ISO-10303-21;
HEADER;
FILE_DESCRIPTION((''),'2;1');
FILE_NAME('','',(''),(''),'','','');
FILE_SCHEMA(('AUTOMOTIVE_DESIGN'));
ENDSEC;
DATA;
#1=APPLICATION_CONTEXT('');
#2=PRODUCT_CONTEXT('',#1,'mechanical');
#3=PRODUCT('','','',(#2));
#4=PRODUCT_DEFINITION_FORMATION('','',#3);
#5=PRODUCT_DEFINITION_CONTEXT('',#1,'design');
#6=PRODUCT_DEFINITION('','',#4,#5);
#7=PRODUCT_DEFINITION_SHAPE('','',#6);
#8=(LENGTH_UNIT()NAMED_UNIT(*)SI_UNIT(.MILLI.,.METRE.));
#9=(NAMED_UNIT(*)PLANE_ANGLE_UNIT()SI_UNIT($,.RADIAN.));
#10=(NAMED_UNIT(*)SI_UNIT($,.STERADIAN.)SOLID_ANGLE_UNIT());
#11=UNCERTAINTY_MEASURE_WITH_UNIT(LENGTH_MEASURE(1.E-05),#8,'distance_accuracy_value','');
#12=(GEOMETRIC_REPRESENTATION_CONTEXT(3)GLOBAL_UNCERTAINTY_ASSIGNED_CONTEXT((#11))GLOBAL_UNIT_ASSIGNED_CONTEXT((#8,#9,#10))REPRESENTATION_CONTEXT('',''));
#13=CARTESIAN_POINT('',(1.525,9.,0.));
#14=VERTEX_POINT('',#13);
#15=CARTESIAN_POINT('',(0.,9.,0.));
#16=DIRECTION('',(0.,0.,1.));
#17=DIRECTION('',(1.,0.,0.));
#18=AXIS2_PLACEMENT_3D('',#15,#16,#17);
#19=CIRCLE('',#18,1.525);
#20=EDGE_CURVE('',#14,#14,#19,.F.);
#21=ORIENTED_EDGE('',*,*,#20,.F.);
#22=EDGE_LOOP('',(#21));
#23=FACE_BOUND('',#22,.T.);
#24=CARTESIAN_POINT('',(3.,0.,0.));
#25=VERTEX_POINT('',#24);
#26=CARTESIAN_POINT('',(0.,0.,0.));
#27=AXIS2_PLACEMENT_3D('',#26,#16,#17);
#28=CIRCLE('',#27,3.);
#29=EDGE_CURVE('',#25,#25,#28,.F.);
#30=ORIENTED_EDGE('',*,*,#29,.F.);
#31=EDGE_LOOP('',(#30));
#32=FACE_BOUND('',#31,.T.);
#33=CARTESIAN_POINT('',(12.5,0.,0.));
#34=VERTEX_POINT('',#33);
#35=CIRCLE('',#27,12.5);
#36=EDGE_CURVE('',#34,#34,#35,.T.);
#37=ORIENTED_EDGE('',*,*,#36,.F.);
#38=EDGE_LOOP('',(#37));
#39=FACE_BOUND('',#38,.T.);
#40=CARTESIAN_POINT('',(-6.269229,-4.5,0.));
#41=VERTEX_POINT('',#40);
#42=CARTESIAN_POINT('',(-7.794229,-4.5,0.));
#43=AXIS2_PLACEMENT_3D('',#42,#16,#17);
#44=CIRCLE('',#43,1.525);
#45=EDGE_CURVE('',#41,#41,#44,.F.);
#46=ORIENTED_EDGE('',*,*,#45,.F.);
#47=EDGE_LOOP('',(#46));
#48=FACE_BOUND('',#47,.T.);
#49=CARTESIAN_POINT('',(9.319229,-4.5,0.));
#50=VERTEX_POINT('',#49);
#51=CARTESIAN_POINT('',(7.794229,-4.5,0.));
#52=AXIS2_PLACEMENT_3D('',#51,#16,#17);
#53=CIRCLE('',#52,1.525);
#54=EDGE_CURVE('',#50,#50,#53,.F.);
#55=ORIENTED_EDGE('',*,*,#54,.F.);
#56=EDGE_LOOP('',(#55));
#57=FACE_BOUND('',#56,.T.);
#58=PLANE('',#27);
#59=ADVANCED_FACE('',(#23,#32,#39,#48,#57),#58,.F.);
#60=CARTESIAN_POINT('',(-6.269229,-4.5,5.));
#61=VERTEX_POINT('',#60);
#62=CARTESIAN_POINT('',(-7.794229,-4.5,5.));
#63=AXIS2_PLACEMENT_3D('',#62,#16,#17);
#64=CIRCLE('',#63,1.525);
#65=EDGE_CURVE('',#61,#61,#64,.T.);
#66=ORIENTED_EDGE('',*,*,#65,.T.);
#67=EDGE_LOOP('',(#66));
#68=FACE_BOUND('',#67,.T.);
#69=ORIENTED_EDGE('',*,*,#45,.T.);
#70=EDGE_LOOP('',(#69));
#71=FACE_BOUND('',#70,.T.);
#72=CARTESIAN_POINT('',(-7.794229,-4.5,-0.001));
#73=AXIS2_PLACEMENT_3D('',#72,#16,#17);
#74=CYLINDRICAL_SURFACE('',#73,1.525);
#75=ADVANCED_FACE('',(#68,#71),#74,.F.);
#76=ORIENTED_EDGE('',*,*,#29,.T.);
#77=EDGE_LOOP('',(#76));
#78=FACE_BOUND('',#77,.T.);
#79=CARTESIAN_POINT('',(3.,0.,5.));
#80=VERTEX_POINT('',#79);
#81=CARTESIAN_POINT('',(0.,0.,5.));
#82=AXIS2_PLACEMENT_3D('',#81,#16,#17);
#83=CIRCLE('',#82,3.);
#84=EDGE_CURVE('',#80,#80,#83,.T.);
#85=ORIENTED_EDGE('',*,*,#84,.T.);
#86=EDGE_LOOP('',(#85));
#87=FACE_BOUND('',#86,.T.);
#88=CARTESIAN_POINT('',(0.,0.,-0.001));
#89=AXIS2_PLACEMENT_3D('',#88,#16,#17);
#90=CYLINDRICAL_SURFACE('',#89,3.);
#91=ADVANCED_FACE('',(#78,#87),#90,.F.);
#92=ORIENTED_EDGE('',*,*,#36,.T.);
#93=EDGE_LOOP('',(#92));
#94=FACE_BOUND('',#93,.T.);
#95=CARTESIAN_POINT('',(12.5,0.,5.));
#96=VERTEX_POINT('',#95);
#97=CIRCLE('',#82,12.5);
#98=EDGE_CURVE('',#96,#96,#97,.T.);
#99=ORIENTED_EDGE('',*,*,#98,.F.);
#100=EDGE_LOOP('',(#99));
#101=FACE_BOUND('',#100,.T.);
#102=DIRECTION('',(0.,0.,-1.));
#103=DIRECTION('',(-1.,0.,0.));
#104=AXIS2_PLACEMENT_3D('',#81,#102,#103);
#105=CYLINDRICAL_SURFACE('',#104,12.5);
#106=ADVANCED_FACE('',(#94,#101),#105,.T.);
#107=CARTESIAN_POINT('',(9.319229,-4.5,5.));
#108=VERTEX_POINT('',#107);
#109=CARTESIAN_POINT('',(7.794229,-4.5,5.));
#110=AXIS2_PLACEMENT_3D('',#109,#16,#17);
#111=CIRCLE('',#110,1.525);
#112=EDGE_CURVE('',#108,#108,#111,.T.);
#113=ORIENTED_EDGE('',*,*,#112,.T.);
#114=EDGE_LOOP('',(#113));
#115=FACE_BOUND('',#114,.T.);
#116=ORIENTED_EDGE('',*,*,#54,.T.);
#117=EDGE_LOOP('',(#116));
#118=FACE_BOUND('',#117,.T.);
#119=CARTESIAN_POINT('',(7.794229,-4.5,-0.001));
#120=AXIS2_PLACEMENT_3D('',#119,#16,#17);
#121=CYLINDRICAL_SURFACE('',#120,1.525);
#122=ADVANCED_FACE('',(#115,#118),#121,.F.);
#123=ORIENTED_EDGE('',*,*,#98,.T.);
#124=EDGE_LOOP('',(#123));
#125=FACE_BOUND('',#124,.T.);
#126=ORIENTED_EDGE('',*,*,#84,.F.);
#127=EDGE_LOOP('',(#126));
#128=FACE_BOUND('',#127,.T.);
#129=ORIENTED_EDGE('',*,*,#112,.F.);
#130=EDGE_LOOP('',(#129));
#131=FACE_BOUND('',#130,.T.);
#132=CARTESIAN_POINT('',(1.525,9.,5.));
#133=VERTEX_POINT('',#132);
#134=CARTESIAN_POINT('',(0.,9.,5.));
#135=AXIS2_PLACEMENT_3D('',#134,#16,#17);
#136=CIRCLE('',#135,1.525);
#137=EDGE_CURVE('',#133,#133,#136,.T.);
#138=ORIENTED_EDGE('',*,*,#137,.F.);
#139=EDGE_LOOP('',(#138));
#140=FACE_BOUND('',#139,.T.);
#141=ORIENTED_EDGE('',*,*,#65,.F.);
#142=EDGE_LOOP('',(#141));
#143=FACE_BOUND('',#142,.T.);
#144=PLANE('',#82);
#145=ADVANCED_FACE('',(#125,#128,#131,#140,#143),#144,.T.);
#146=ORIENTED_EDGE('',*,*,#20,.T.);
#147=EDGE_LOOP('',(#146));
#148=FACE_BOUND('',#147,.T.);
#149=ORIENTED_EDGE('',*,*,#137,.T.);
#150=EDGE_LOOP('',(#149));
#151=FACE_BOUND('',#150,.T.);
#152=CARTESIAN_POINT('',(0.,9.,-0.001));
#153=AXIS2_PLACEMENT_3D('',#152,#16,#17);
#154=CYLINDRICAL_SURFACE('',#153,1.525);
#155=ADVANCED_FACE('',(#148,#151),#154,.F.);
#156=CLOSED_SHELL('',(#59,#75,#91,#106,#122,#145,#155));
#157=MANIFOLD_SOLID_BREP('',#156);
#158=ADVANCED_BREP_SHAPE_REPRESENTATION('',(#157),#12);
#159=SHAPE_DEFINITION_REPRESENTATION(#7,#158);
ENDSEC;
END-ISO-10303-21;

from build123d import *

# Parameters (mm, degrees)
SKETCH1_R           = 12.5
BOSS_EXTRUDE1_DEPTH = 5
CUT_EXTRUDE2_REACH  = 20.371
SKETCH3_R           = 3
CUT_EXTRUDE3_REACH  = 20.371
SKETCH4_R           = 1.525


with BuildPart() as part:
    # Sketch1 → Boss-Extrude1 (new body)
    with BuildSketch(Plane.XY):
        Circle(SKETCH1_R)
    extrude(amount=BOSS_EXTRUDE1_DEPTH)

    # Sketch3 → Cut-Extrude2 (cut, up to next)
    with BuildSketch(Plane.XY.offset(5), mode=Mode.PRIVATE) as cut_extrude2_sk1:
        Circle(SKETCH3_R)
    cut_extrude2_tool1 = extrude(cut_extrude2_sk1.sketch, amount=-CUT_EXTRUDE2_REACH, mode=Mode.PRIVATE) & part.part
    add(cut_extrude2_tool1.solids().sort_by_distance((0, 0, 5))[0], mode=Mode.SUBTRACT)

    # Sketch4 → Cut-Extrude3 (cut, up to next)
    with BuildSketch(Plane.XY.offset(5), mode=Mode.PRIVATE) as cut_extrude3_sk1:
        with Locations((0, 9)):
            Circle(SKETCH4_R)
    cut_extrude3_tool1 = extrude(cut_extrude3_sk1.sketch, amount=-CUT_EXTRUDE3_REACH, mode=Mode.PRIVATE) & part.part
    # Sketch4 → Cut-Extrude3 (cut, up to next)
    with BuildSketch(Plane.XY.offset(5), mode=Mode.PRIVATE) as cut_extrude3_sk2:
        with Locations((7.794228634, -4.5)):
            Circle(SKETCH4_R)
    cut_extrude3_tool2 = extrude(cut_extrude3_sk2.sketch, amount=-CUT_EXTRUDE3_REACH, mode=Mode.PRIVATE) & part.part
    # Sketch4 → Cut-Extrude3 (cut, up to next)
    with BuildSketch(Plane.XY.offset(5), mode=Mode.PRIVATE) as cut_extrude3_sk3:
        with Locations((-7.794228634, -4.5)):
            Circle(SKETCH4_R)
    cut_extrude3_tool3 = extrude(cut_extrude3_sk3.sketch, amount=-CUT_EXTRUDE3_REACH, mode=Mode.PRIVATE) & part.part
    add(cut_extrude3_tool1.solids().sort_by_distance((0, 9, 5))[0], mode=Mode.SUBTRACT)
    add(cut_extrude3_tool2.solids().sort_by_distance((7.794229, -4.5, 5))[0], mode=Mode.SUBTRACT)
    add(cut_extrude3_tool3.solids().sort_by_distance((-7.794229, -4.5, 5))[0], mode=Mode.SUBTRACT)


solid = part.part
